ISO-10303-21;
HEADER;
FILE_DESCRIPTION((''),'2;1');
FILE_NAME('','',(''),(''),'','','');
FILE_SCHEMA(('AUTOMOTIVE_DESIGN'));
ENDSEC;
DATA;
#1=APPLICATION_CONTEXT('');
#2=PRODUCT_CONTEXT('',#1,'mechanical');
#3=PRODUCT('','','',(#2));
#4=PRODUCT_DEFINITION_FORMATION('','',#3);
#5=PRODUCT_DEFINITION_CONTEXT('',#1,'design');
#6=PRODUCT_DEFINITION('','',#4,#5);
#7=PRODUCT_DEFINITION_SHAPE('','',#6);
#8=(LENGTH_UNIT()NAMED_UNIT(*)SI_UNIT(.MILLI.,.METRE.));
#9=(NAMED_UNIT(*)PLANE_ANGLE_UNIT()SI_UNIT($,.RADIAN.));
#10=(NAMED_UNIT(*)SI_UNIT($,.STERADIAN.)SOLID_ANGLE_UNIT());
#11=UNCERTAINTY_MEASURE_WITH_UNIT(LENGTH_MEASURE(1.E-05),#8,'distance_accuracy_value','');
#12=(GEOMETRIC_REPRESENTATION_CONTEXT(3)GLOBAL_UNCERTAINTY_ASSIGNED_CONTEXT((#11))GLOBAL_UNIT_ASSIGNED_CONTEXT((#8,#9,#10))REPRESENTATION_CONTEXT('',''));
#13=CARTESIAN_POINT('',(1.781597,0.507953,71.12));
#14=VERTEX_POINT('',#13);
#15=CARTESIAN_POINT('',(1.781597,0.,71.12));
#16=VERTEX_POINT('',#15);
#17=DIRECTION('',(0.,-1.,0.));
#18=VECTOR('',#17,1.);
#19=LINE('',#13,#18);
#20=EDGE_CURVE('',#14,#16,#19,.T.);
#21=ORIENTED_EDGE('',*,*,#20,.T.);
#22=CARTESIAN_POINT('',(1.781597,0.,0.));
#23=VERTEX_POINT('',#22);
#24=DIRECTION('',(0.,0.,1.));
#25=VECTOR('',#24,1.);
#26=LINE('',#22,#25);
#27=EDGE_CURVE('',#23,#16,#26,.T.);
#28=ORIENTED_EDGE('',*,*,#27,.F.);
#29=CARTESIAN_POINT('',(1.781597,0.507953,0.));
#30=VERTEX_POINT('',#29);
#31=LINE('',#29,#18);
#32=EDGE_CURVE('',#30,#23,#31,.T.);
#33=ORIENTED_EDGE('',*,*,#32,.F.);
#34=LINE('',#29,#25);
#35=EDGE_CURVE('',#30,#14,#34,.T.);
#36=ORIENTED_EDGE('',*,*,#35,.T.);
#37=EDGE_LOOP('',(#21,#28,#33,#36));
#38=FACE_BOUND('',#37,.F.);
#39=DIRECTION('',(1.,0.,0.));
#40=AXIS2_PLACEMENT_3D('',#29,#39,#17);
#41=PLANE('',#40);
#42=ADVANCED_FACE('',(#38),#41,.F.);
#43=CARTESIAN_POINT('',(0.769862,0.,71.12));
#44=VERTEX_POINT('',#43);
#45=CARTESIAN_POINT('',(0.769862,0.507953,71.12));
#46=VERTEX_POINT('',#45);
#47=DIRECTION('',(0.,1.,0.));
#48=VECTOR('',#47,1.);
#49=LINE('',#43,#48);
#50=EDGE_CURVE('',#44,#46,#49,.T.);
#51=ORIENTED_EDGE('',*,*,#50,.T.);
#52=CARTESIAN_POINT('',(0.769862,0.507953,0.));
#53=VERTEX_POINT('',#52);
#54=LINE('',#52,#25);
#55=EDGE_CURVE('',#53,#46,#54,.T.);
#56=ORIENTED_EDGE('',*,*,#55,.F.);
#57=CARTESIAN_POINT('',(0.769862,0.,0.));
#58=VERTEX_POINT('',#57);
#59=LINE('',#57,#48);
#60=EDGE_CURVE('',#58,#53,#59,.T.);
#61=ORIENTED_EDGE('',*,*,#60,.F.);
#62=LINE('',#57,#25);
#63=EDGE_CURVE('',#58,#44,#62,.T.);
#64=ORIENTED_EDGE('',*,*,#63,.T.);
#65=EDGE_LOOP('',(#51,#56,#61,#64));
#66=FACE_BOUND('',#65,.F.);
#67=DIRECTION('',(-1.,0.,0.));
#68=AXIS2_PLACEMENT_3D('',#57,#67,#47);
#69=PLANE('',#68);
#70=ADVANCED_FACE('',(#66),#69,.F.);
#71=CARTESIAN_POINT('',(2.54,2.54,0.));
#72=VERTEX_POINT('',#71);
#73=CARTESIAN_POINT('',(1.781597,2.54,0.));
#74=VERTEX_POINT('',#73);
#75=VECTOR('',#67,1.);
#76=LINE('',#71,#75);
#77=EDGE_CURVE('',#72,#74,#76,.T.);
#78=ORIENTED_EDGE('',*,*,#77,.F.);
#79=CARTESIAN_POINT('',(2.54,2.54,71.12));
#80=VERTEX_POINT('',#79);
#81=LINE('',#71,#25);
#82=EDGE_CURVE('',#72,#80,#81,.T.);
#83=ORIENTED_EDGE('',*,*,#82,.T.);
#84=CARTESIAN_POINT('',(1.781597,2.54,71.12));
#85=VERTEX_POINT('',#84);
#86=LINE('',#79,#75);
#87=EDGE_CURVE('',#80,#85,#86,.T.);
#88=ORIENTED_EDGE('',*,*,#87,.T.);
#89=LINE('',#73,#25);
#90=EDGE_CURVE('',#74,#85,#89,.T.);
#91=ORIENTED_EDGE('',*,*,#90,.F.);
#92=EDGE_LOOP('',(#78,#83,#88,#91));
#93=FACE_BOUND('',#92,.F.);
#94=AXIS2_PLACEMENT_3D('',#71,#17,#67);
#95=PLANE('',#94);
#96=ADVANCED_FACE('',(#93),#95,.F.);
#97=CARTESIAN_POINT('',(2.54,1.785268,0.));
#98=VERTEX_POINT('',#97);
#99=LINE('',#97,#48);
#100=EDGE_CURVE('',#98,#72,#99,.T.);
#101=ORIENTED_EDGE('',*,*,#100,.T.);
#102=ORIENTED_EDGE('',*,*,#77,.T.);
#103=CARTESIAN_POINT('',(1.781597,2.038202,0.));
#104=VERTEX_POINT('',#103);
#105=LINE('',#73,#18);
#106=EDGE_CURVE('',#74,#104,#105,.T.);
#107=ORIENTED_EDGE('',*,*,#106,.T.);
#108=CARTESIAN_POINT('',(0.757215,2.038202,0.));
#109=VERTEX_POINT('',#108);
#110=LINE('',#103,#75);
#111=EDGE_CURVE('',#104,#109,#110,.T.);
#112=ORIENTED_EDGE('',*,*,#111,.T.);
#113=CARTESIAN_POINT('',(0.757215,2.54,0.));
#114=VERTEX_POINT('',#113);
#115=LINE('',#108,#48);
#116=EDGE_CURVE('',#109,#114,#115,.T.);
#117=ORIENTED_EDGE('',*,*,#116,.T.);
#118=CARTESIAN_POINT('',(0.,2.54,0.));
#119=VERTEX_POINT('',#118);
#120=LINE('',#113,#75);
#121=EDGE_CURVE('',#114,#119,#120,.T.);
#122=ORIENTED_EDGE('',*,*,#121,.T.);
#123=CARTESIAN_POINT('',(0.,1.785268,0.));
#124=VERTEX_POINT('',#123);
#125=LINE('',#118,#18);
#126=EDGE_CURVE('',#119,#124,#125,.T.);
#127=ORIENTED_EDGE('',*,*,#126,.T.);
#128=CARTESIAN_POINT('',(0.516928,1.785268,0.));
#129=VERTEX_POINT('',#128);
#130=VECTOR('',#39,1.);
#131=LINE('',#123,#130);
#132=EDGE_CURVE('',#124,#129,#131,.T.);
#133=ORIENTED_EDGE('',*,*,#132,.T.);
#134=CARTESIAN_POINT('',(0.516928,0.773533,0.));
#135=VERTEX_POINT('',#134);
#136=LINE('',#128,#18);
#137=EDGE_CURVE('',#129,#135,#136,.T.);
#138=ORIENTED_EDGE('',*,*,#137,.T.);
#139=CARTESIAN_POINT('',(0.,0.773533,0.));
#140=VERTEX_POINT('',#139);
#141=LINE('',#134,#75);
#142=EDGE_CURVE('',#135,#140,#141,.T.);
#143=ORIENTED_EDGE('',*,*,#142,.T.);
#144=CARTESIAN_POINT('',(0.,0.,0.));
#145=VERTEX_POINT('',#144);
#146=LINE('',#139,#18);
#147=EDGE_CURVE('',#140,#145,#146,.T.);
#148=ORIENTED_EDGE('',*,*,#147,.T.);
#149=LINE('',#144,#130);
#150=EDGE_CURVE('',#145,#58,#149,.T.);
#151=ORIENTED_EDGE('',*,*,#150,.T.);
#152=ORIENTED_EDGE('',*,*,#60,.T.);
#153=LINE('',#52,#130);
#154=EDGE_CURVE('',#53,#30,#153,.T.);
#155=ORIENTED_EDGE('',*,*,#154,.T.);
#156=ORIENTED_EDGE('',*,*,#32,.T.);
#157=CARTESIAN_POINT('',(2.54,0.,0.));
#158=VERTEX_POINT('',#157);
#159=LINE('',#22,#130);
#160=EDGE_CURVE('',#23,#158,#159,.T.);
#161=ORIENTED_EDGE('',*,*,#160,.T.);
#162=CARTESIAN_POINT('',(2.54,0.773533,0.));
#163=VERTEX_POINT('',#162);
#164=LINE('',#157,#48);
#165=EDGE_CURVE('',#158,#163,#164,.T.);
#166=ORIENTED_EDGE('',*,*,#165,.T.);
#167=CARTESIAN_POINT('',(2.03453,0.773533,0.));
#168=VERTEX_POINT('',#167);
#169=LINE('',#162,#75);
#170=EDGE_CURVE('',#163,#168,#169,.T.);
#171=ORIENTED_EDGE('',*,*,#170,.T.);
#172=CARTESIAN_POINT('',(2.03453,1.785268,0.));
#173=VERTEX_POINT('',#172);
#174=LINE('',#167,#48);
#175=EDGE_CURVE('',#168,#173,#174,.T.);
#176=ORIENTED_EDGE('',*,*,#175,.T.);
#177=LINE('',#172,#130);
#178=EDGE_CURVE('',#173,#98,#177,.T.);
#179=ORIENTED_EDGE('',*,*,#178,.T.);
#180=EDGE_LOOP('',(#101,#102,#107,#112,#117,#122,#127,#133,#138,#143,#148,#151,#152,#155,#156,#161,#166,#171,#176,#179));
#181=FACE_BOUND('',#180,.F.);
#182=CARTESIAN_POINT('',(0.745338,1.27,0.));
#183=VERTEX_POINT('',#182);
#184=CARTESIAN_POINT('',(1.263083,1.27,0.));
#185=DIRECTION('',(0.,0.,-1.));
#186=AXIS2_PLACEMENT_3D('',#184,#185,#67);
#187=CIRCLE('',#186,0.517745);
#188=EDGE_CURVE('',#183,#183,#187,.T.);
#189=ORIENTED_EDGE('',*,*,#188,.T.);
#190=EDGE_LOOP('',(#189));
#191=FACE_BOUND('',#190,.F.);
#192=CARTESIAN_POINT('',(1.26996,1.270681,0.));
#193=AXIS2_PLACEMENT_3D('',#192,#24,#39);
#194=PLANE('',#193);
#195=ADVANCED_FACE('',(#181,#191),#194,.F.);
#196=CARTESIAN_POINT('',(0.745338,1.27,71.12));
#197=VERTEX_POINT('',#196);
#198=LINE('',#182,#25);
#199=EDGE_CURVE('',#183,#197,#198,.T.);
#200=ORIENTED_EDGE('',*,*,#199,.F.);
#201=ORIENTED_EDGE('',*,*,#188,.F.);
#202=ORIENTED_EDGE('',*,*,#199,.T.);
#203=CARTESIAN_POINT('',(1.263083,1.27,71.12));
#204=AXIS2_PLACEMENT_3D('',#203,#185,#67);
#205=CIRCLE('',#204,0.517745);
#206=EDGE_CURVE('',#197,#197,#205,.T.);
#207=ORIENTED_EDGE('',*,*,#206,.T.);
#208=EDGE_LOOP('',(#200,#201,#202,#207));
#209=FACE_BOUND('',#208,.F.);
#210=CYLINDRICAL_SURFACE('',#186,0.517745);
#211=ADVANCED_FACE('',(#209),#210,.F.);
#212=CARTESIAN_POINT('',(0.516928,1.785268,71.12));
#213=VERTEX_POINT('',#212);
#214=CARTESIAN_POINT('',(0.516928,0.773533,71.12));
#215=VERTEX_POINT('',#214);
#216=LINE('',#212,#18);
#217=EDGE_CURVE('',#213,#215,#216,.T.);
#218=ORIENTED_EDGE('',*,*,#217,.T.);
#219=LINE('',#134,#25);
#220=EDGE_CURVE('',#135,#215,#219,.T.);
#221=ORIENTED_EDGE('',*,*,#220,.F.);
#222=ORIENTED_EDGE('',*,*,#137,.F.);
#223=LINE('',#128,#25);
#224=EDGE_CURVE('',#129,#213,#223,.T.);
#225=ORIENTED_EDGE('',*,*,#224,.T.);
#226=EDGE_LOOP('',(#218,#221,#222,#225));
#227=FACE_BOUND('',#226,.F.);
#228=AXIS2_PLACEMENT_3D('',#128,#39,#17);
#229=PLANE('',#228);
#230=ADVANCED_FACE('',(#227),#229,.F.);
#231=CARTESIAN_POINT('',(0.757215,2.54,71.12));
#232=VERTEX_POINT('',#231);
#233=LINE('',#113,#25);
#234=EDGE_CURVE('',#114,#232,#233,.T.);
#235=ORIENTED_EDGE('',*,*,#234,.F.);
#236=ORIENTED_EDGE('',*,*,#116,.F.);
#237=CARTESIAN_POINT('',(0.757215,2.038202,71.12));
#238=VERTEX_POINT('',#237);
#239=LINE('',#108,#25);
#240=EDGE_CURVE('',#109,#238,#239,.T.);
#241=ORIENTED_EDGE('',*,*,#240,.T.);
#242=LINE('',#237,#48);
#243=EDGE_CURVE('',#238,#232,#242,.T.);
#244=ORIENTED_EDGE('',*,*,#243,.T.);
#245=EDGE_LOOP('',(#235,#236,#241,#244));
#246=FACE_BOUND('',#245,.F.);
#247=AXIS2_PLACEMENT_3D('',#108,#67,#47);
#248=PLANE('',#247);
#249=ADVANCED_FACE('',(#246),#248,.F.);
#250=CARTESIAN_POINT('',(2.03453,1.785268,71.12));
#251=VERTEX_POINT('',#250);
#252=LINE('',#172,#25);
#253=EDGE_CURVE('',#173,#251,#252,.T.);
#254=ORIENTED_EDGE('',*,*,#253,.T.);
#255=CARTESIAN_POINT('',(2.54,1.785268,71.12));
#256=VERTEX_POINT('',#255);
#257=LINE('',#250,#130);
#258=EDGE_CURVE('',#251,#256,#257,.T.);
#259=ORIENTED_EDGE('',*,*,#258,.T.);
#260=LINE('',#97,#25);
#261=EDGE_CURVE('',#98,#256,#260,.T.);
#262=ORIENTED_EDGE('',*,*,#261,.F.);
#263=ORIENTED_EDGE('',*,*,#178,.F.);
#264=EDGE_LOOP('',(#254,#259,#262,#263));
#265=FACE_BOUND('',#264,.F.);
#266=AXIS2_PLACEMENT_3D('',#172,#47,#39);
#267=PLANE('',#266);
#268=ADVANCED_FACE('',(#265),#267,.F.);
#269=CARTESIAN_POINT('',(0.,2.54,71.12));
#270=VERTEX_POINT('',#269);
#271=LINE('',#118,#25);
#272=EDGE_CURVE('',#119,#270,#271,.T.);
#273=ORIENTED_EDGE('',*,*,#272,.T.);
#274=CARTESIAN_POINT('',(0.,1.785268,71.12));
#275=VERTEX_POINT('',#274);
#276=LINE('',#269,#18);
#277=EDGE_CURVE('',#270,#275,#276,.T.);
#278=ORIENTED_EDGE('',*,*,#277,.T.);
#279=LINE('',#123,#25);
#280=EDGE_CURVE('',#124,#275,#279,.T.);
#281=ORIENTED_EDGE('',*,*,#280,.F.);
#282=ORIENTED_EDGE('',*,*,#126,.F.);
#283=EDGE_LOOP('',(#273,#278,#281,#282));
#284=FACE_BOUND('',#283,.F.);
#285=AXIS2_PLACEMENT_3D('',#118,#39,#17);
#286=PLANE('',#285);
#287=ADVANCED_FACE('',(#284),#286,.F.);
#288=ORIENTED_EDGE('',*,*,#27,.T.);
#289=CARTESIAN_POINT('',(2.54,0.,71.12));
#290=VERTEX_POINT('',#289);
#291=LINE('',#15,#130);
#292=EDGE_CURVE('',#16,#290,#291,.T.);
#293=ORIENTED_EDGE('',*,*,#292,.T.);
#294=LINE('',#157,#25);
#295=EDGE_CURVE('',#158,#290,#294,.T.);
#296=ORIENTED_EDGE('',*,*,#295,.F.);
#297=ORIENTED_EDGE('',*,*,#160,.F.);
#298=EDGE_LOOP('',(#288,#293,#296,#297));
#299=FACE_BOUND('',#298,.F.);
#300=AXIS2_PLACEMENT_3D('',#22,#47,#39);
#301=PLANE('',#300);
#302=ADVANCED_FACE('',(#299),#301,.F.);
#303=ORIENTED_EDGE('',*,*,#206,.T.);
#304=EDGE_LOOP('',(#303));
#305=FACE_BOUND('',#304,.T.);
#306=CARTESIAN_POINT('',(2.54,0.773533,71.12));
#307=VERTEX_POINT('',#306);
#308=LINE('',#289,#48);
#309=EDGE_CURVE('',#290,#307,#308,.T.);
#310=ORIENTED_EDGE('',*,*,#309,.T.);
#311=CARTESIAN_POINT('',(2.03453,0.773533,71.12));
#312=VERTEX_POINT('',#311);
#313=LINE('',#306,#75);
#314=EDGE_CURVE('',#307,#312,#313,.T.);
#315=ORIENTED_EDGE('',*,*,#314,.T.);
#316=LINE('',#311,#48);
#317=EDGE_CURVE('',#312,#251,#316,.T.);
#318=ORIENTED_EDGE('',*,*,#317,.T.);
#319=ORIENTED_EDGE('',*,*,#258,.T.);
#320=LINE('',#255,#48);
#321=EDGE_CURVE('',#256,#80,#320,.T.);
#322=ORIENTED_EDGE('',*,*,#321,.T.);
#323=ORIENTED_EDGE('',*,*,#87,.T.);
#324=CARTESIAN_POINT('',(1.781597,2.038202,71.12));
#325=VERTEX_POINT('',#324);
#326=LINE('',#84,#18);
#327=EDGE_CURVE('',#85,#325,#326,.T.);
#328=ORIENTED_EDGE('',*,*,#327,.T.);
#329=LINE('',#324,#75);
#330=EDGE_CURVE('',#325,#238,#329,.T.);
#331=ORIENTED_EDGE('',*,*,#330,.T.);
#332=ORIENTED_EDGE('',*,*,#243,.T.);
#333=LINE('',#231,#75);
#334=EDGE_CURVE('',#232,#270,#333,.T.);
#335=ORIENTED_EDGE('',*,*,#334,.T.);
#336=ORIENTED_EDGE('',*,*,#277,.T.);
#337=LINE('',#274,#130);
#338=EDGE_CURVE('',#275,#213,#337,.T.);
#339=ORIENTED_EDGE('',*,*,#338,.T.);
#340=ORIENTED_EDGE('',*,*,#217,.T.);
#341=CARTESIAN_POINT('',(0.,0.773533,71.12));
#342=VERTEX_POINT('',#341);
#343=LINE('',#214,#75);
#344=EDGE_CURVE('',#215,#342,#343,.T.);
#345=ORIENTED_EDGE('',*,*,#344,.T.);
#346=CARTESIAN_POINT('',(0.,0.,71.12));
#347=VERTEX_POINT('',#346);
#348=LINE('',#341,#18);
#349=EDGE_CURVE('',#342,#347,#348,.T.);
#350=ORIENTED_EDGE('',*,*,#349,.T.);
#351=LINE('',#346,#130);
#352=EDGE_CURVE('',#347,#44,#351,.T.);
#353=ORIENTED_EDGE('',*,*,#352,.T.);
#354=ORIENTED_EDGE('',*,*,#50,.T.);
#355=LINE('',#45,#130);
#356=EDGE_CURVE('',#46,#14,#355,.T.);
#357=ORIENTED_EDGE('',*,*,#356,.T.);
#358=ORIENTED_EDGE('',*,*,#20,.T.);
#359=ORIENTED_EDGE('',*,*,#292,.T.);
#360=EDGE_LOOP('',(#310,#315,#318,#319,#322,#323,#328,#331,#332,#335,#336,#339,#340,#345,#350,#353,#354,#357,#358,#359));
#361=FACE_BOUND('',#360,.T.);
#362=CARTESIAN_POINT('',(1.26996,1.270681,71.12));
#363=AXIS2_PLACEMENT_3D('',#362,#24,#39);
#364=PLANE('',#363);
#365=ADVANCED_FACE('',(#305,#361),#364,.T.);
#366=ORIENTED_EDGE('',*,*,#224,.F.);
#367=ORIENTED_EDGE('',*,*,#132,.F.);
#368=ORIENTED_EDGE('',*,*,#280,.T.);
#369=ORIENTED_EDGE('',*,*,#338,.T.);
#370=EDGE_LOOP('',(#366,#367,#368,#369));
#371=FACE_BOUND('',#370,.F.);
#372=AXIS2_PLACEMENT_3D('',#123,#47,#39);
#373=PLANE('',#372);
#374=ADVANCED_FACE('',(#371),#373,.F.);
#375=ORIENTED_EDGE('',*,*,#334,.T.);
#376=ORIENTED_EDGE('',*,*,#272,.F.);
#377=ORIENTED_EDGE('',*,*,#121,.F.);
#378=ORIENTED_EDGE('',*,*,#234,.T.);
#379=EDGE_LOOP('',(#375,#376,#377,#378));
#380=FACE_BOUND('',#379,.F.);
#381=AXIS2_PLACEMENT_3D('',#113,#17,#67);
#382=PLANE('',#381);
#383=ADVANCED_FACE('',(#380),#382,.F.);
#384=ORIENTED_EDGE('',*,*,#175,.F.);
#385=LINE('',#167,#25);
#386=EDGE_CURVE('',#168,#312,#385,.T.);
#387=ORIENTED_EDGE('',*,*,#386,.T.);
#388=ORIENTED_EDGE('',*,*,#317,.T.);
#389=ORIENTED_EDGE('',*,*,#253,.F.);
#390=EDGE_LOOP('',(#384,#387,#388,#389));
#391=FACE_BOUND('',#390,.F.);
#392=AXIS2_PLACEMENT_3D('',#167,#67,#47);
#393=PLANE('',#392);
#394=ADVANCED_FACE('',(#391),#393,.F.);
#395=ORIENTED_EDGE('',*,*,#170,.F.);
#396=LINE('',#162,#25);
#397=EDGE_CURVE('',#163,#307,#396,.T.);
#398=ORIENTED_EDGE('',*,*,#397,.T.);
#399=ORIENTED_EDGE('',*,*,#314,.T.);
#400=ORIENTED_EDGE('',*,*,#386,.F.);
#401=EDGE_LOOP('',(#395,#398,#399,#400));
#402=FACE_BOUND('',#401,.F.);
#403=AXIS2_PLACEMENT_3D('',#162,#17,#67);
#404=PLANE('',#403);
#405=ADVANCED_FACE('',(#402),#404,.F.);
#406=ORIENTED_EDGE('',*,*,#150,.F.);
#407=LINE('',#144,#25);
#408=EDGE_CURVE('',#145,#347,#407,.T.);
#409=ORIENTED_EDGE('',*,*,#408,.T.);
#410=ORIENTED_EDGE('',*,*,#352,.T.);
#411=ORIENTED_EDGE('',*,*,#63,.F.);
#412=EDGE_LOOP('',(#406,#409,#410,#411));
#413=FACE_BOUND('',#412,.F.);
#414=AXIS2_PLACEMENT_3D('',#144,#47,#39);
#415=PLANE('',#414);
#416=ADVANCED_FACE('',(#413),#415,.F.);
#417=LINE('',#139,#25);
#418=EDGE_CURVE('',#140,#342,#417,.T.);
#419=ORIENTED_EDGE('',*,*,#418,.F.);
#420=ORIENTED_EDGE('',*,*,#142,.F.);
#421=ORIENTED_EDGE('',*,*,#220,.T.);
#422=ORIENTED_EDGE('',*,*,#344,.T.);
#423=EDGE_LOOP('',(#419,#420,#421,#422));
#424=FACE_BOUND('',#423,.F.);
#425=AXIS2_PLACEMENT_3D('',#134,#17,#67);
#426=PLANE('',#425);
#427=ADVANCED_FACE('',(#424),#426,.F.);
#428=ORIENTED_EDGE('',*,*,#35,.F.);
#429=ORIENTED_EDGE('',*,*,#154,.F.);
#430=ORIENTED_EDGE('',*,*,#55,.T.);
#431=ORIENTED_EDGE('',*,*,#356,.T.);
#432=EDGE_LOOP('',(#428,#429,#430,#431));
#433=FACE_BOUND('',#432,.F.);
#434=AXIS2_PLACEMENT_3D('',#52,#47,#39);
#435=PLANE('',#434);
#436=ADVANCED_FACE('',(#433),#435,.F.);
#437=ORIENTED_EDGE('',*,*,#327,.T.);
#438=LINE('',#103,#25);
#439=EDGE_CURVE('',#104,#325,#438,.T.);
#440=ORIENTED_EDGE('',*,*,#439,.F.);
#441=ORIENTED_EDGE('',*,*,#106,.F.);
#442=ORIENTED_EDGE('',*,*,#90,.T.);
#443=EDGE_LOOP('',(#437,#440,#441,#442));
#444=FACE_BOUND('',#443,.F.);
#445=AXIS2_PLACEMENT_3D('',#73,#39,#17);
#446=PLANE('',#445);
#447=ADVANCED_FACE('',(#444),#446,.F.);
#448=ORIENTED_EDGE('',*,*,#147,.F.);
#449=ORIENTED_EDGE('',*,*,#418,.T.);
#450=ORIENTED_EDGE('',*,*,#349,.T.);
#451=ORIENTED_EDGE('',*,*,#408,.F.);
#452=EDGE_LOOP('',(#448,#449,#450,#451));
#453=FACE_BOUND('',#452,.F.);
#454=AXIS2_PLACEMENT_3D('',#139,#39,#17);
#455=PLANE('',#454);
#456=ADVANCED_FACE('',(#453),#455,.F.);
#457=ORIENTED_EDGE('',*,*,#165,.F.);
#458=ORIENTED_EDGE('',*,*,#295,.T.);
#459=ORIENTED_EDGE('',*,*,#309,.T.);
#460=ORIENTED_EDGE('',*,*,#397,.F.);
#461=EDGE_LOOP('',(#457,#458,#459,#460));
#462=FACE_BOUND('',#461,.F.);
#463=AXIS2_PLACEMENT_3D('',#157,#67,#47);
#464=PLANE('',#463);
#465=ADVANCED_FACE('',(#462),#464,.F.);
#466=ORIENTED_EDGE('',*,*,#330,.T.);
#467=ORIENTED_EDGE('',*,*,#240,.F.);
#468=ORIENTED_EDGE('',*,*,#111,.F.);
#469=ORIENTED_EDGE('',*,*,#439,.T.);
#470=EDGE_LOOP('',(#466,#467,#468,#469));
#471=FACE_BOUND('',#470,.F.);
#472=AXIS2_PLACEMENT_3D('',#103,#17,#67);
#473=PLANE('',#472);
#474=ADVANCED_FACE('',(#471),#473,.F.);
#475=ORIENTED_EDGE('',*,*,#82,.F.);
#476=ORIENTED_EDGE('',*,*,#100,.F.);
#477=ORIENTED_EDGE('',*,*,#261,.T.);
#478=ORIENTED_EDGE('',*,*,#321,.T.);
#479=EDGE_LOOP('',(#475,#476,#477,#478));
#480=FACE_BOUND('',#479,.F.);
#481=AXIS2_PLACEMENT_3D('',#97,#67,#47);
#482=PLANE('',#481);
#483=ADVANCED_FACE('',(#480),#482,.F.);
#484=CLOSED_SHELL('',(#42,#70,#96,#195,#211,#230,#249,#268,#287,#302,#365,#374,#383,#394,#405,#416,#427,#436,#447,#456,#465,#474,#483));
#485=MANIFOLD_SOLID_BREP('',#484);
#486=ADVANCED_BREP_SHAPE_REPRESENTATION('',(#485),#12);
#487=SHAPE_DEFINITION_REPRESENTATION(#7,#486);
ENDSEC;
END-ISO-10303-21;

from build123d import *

# Parameters (mm, degrees)
F1_DEPTH = 71.12


with BuildPart() as f1:
    # F0 (on Top) → F1 (new body)
    with BuildSketch(Plane.XY):
        Polygon((0, 0.773533), (0, 0), (0.769862, 0), (0.769862, 0.507953), (1.781597, 0.507953), (1.781597, 0), (2.54, 0), (2.54, 0.773533), (2.03453, 0.773533), (2.03453, 1.785268), (2.54, 1.785268), (2.54, 2.54), (1.781597, 2.54), (1.781597, 2.038202), (0.757215, 2.038202), (0.757215, 2.54), (0, 2.54), (0, 1.785268), (0.516928, 1.785268), (0.516928, 1.27), (0.516928, 0.773533), align=None)
        with BuildLine():
            ThreePointArc((1.780828, 1.27), (1.263083, 0.752255), (0.745338, 1.27))
            ThreePointArc((0.745338, 1.27), (1.263083, 1.787745), (1.780828, 1.27))
        make_face(mode=Mode.SUBTRACT)
    extrude(amount=F1_DEPTH)


solid = f1.part
